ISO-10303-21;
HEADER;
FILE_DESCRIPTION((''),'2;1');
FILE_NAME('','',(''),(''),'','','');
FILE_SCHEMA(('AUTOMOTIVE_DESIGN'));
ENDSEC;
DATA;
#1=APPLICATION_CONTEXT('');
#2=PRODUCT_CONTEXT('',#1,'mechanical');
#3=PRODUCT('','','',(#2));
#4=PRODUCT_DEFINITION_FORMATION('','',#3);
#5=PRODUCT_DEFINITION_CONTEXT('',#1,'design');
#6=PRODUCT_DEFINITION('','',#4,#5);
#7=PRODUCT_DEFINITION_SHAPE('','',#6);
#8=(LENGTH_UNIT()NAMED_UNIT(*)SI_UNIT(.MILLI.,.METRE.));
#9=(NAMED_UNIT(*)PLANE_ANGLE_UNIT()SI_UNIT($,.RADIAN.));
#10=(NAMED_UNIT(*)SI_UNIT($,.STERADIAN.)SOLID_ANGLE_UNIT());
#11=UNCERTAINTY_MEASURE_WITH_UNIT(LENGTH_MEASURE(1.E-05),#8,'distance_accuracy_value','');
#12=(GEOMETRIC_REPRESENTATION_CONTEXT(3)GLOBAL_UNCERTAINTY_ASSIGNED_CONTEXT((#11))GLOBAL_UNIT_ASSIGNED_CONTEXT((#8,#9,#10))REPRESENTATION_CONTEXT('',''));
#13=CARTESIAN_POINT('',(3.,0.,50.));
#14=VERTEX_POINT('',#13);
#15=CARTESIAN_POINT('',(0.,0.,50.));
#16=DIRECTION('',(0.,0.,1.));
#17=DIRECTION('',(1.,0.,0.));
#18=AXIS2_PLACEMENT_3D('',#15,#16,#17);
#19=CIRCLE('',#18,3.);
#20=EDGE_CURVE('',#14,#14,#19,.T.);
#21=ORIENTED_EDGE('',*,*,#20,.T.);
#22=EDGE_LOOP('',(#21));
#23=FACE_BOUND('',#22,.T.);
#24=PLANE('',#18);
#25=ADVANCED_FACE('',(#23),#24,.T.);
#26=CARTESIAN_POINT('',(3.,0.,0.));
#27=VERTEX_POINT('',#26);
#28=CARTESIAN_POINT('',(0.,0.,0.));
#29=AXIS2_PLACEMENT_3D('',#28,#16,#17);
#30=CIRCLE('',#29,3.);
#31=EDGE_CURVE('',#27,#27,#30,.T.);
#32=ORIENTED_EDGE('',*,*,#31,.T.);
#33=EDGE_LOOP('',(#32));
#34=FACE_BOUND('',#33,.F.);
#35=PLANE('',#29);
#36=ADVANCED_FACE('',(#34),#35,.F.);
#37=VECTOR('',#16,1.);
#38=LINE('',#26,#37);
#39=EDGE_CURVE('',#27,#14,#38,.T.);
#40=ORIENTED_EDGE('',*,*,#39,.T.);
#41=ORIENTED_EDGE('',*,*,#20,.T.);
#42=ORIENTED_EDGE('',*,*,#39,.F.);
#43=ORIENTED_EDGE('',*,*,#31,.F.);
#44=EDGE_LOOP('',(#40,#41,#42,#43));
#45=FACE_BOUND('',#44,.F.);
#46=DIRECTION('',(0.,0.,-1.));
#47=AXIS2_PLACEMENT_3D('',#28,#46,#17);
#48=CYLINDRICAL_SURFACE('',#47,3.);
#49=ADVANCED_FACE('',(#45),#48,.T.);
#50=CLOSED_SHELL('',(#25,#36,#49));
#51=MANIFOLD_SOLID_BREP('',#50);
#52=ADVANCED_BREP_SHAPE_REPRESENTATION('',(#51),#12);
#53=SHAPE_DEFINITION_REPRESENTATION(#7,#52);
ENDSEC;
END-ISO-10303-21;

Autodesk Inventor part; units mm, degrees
ref_plane "YZ Plane" through (0, 0, 0) normal (1, 0, 0) x (0, 1, 0)
ref_plane "XZ Plane" through (0, 0, 0) normal (0, 1, 0) x (-1, 0, 0)
ref_plane "XY Plane" through (0, 0, 0) normal (0, 0, 1) x (1, 0, 0)
sketch "Sketch1" plane through (0, 0, 0) normal (0, 0, 1) x (1, 0, 0)
  point P0 (0, 0)
sketch "Sketch2" plane through (0, 0, 0) normal (0, 0, 1) x (1, 0, 0)
  circle A0 centre (0, 0) radius 3
  dimension "d0" = 6
extrude "Extrusion1" add sketch "Sketch2" along normal blind 50
equation "\"d0\" = r"
equation "\"d1\" = 2.5 * w"
equation "\"th\" = 5"
equation "\"r\" = 6"
equation "\"w\" = 20"
